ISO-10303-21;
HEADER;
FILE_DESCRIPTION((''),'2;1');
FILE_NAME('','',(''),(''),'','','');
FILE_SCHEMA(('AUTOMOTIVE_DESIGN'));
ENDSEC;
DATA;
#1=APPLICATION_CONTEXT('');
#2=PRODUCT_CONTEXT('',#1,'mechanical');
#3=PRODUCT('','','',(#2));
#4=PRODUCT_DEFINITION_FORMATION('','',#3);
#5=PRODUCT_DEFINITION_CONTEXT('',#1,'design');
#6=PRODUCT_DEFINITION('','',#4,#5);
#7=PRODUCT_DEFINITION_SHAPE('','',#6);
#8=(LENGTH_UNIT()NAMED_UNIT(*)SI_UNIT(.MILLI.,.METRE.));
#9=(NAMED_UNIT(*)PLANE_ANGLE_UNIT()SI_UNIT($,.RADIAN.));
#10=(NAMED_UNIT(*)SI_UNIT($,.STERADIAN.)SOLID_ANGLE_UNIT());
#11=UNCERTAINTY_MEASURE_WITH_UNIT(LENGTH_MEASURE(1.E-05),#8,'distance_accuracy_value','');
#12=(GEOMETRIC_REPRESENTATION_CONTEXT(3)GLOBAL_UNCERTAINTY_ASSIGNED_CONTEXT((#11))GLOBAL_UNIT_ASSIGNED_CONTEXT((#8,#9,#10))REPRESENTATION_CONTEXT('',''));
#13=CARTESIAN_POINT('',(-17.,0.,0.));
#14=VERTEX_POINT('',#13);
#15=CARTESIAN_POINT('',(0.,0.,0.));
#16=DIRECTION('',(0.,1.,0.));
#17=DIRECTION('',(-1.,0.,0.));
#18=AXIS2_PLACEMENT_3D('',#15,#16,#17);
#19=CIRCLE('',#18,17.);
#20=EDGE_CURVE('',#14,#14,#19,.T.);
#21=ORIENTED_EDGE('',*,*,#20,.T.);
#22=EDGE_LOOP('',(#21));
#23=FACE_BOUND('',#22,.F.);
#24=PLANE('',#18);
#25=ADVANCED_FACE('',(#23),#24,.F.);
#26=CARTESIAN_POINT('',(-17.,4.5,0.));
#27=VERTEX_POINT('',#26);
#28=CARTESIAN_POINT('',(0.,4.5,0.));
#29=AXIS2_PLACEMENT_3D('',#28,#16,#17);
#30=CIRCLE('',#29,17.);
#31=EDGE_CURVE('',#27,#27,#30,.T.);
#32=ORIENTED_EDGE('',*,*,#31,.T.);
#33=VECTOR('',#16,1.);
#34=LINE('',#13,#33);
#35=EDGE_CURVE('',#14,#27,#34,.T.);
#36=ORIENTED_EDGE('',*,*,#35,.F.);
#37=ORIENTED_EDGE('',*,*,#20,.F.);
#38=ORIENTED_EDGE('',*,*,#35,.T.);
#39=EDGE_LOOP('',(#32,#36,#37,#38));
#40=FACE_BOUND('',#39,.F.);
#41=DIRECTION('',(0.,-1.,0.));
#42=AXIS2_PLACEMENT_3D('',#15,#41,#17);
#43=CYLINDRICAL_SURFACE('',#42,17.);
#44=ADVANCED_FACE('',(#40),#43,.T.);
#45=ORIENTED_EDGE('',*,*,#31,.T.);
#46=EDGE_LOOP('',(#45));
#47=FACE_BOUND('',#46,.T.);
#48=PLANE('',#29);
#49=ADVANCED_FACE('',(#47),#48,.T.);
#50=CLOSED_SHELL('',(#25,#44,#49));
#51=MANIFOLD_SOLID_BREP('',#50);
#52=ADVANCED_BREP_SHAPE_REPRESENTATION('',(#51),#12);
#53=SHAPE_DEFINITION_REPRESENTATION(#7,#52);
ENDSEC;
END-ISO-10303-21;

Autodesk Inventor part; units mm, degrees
ref_plane "YZ Plane" through (0, 0, 0) normal (1, 0, 0) x (0, 1, 0)
ref_plane "XZ Plane" through (0, 0, 0) normal (0, 1, 0) x (-1, 0, 0)
ref_plane "XY Plane" through (0, 0, 0) normal (0, 0, 1) x (1, 0, 0)
sketch "Sketch1" plane through (0, 0, 0) normal (0, 1, 0) x (-1, 0, 0)
  circle A0 centre (0, 0) radius 17
  dimension "d0" = 34
extrude "Extrusion1" add sketch "Sketch1" along normal blind 4.5
properties part number "mediaControlHoldDown"
